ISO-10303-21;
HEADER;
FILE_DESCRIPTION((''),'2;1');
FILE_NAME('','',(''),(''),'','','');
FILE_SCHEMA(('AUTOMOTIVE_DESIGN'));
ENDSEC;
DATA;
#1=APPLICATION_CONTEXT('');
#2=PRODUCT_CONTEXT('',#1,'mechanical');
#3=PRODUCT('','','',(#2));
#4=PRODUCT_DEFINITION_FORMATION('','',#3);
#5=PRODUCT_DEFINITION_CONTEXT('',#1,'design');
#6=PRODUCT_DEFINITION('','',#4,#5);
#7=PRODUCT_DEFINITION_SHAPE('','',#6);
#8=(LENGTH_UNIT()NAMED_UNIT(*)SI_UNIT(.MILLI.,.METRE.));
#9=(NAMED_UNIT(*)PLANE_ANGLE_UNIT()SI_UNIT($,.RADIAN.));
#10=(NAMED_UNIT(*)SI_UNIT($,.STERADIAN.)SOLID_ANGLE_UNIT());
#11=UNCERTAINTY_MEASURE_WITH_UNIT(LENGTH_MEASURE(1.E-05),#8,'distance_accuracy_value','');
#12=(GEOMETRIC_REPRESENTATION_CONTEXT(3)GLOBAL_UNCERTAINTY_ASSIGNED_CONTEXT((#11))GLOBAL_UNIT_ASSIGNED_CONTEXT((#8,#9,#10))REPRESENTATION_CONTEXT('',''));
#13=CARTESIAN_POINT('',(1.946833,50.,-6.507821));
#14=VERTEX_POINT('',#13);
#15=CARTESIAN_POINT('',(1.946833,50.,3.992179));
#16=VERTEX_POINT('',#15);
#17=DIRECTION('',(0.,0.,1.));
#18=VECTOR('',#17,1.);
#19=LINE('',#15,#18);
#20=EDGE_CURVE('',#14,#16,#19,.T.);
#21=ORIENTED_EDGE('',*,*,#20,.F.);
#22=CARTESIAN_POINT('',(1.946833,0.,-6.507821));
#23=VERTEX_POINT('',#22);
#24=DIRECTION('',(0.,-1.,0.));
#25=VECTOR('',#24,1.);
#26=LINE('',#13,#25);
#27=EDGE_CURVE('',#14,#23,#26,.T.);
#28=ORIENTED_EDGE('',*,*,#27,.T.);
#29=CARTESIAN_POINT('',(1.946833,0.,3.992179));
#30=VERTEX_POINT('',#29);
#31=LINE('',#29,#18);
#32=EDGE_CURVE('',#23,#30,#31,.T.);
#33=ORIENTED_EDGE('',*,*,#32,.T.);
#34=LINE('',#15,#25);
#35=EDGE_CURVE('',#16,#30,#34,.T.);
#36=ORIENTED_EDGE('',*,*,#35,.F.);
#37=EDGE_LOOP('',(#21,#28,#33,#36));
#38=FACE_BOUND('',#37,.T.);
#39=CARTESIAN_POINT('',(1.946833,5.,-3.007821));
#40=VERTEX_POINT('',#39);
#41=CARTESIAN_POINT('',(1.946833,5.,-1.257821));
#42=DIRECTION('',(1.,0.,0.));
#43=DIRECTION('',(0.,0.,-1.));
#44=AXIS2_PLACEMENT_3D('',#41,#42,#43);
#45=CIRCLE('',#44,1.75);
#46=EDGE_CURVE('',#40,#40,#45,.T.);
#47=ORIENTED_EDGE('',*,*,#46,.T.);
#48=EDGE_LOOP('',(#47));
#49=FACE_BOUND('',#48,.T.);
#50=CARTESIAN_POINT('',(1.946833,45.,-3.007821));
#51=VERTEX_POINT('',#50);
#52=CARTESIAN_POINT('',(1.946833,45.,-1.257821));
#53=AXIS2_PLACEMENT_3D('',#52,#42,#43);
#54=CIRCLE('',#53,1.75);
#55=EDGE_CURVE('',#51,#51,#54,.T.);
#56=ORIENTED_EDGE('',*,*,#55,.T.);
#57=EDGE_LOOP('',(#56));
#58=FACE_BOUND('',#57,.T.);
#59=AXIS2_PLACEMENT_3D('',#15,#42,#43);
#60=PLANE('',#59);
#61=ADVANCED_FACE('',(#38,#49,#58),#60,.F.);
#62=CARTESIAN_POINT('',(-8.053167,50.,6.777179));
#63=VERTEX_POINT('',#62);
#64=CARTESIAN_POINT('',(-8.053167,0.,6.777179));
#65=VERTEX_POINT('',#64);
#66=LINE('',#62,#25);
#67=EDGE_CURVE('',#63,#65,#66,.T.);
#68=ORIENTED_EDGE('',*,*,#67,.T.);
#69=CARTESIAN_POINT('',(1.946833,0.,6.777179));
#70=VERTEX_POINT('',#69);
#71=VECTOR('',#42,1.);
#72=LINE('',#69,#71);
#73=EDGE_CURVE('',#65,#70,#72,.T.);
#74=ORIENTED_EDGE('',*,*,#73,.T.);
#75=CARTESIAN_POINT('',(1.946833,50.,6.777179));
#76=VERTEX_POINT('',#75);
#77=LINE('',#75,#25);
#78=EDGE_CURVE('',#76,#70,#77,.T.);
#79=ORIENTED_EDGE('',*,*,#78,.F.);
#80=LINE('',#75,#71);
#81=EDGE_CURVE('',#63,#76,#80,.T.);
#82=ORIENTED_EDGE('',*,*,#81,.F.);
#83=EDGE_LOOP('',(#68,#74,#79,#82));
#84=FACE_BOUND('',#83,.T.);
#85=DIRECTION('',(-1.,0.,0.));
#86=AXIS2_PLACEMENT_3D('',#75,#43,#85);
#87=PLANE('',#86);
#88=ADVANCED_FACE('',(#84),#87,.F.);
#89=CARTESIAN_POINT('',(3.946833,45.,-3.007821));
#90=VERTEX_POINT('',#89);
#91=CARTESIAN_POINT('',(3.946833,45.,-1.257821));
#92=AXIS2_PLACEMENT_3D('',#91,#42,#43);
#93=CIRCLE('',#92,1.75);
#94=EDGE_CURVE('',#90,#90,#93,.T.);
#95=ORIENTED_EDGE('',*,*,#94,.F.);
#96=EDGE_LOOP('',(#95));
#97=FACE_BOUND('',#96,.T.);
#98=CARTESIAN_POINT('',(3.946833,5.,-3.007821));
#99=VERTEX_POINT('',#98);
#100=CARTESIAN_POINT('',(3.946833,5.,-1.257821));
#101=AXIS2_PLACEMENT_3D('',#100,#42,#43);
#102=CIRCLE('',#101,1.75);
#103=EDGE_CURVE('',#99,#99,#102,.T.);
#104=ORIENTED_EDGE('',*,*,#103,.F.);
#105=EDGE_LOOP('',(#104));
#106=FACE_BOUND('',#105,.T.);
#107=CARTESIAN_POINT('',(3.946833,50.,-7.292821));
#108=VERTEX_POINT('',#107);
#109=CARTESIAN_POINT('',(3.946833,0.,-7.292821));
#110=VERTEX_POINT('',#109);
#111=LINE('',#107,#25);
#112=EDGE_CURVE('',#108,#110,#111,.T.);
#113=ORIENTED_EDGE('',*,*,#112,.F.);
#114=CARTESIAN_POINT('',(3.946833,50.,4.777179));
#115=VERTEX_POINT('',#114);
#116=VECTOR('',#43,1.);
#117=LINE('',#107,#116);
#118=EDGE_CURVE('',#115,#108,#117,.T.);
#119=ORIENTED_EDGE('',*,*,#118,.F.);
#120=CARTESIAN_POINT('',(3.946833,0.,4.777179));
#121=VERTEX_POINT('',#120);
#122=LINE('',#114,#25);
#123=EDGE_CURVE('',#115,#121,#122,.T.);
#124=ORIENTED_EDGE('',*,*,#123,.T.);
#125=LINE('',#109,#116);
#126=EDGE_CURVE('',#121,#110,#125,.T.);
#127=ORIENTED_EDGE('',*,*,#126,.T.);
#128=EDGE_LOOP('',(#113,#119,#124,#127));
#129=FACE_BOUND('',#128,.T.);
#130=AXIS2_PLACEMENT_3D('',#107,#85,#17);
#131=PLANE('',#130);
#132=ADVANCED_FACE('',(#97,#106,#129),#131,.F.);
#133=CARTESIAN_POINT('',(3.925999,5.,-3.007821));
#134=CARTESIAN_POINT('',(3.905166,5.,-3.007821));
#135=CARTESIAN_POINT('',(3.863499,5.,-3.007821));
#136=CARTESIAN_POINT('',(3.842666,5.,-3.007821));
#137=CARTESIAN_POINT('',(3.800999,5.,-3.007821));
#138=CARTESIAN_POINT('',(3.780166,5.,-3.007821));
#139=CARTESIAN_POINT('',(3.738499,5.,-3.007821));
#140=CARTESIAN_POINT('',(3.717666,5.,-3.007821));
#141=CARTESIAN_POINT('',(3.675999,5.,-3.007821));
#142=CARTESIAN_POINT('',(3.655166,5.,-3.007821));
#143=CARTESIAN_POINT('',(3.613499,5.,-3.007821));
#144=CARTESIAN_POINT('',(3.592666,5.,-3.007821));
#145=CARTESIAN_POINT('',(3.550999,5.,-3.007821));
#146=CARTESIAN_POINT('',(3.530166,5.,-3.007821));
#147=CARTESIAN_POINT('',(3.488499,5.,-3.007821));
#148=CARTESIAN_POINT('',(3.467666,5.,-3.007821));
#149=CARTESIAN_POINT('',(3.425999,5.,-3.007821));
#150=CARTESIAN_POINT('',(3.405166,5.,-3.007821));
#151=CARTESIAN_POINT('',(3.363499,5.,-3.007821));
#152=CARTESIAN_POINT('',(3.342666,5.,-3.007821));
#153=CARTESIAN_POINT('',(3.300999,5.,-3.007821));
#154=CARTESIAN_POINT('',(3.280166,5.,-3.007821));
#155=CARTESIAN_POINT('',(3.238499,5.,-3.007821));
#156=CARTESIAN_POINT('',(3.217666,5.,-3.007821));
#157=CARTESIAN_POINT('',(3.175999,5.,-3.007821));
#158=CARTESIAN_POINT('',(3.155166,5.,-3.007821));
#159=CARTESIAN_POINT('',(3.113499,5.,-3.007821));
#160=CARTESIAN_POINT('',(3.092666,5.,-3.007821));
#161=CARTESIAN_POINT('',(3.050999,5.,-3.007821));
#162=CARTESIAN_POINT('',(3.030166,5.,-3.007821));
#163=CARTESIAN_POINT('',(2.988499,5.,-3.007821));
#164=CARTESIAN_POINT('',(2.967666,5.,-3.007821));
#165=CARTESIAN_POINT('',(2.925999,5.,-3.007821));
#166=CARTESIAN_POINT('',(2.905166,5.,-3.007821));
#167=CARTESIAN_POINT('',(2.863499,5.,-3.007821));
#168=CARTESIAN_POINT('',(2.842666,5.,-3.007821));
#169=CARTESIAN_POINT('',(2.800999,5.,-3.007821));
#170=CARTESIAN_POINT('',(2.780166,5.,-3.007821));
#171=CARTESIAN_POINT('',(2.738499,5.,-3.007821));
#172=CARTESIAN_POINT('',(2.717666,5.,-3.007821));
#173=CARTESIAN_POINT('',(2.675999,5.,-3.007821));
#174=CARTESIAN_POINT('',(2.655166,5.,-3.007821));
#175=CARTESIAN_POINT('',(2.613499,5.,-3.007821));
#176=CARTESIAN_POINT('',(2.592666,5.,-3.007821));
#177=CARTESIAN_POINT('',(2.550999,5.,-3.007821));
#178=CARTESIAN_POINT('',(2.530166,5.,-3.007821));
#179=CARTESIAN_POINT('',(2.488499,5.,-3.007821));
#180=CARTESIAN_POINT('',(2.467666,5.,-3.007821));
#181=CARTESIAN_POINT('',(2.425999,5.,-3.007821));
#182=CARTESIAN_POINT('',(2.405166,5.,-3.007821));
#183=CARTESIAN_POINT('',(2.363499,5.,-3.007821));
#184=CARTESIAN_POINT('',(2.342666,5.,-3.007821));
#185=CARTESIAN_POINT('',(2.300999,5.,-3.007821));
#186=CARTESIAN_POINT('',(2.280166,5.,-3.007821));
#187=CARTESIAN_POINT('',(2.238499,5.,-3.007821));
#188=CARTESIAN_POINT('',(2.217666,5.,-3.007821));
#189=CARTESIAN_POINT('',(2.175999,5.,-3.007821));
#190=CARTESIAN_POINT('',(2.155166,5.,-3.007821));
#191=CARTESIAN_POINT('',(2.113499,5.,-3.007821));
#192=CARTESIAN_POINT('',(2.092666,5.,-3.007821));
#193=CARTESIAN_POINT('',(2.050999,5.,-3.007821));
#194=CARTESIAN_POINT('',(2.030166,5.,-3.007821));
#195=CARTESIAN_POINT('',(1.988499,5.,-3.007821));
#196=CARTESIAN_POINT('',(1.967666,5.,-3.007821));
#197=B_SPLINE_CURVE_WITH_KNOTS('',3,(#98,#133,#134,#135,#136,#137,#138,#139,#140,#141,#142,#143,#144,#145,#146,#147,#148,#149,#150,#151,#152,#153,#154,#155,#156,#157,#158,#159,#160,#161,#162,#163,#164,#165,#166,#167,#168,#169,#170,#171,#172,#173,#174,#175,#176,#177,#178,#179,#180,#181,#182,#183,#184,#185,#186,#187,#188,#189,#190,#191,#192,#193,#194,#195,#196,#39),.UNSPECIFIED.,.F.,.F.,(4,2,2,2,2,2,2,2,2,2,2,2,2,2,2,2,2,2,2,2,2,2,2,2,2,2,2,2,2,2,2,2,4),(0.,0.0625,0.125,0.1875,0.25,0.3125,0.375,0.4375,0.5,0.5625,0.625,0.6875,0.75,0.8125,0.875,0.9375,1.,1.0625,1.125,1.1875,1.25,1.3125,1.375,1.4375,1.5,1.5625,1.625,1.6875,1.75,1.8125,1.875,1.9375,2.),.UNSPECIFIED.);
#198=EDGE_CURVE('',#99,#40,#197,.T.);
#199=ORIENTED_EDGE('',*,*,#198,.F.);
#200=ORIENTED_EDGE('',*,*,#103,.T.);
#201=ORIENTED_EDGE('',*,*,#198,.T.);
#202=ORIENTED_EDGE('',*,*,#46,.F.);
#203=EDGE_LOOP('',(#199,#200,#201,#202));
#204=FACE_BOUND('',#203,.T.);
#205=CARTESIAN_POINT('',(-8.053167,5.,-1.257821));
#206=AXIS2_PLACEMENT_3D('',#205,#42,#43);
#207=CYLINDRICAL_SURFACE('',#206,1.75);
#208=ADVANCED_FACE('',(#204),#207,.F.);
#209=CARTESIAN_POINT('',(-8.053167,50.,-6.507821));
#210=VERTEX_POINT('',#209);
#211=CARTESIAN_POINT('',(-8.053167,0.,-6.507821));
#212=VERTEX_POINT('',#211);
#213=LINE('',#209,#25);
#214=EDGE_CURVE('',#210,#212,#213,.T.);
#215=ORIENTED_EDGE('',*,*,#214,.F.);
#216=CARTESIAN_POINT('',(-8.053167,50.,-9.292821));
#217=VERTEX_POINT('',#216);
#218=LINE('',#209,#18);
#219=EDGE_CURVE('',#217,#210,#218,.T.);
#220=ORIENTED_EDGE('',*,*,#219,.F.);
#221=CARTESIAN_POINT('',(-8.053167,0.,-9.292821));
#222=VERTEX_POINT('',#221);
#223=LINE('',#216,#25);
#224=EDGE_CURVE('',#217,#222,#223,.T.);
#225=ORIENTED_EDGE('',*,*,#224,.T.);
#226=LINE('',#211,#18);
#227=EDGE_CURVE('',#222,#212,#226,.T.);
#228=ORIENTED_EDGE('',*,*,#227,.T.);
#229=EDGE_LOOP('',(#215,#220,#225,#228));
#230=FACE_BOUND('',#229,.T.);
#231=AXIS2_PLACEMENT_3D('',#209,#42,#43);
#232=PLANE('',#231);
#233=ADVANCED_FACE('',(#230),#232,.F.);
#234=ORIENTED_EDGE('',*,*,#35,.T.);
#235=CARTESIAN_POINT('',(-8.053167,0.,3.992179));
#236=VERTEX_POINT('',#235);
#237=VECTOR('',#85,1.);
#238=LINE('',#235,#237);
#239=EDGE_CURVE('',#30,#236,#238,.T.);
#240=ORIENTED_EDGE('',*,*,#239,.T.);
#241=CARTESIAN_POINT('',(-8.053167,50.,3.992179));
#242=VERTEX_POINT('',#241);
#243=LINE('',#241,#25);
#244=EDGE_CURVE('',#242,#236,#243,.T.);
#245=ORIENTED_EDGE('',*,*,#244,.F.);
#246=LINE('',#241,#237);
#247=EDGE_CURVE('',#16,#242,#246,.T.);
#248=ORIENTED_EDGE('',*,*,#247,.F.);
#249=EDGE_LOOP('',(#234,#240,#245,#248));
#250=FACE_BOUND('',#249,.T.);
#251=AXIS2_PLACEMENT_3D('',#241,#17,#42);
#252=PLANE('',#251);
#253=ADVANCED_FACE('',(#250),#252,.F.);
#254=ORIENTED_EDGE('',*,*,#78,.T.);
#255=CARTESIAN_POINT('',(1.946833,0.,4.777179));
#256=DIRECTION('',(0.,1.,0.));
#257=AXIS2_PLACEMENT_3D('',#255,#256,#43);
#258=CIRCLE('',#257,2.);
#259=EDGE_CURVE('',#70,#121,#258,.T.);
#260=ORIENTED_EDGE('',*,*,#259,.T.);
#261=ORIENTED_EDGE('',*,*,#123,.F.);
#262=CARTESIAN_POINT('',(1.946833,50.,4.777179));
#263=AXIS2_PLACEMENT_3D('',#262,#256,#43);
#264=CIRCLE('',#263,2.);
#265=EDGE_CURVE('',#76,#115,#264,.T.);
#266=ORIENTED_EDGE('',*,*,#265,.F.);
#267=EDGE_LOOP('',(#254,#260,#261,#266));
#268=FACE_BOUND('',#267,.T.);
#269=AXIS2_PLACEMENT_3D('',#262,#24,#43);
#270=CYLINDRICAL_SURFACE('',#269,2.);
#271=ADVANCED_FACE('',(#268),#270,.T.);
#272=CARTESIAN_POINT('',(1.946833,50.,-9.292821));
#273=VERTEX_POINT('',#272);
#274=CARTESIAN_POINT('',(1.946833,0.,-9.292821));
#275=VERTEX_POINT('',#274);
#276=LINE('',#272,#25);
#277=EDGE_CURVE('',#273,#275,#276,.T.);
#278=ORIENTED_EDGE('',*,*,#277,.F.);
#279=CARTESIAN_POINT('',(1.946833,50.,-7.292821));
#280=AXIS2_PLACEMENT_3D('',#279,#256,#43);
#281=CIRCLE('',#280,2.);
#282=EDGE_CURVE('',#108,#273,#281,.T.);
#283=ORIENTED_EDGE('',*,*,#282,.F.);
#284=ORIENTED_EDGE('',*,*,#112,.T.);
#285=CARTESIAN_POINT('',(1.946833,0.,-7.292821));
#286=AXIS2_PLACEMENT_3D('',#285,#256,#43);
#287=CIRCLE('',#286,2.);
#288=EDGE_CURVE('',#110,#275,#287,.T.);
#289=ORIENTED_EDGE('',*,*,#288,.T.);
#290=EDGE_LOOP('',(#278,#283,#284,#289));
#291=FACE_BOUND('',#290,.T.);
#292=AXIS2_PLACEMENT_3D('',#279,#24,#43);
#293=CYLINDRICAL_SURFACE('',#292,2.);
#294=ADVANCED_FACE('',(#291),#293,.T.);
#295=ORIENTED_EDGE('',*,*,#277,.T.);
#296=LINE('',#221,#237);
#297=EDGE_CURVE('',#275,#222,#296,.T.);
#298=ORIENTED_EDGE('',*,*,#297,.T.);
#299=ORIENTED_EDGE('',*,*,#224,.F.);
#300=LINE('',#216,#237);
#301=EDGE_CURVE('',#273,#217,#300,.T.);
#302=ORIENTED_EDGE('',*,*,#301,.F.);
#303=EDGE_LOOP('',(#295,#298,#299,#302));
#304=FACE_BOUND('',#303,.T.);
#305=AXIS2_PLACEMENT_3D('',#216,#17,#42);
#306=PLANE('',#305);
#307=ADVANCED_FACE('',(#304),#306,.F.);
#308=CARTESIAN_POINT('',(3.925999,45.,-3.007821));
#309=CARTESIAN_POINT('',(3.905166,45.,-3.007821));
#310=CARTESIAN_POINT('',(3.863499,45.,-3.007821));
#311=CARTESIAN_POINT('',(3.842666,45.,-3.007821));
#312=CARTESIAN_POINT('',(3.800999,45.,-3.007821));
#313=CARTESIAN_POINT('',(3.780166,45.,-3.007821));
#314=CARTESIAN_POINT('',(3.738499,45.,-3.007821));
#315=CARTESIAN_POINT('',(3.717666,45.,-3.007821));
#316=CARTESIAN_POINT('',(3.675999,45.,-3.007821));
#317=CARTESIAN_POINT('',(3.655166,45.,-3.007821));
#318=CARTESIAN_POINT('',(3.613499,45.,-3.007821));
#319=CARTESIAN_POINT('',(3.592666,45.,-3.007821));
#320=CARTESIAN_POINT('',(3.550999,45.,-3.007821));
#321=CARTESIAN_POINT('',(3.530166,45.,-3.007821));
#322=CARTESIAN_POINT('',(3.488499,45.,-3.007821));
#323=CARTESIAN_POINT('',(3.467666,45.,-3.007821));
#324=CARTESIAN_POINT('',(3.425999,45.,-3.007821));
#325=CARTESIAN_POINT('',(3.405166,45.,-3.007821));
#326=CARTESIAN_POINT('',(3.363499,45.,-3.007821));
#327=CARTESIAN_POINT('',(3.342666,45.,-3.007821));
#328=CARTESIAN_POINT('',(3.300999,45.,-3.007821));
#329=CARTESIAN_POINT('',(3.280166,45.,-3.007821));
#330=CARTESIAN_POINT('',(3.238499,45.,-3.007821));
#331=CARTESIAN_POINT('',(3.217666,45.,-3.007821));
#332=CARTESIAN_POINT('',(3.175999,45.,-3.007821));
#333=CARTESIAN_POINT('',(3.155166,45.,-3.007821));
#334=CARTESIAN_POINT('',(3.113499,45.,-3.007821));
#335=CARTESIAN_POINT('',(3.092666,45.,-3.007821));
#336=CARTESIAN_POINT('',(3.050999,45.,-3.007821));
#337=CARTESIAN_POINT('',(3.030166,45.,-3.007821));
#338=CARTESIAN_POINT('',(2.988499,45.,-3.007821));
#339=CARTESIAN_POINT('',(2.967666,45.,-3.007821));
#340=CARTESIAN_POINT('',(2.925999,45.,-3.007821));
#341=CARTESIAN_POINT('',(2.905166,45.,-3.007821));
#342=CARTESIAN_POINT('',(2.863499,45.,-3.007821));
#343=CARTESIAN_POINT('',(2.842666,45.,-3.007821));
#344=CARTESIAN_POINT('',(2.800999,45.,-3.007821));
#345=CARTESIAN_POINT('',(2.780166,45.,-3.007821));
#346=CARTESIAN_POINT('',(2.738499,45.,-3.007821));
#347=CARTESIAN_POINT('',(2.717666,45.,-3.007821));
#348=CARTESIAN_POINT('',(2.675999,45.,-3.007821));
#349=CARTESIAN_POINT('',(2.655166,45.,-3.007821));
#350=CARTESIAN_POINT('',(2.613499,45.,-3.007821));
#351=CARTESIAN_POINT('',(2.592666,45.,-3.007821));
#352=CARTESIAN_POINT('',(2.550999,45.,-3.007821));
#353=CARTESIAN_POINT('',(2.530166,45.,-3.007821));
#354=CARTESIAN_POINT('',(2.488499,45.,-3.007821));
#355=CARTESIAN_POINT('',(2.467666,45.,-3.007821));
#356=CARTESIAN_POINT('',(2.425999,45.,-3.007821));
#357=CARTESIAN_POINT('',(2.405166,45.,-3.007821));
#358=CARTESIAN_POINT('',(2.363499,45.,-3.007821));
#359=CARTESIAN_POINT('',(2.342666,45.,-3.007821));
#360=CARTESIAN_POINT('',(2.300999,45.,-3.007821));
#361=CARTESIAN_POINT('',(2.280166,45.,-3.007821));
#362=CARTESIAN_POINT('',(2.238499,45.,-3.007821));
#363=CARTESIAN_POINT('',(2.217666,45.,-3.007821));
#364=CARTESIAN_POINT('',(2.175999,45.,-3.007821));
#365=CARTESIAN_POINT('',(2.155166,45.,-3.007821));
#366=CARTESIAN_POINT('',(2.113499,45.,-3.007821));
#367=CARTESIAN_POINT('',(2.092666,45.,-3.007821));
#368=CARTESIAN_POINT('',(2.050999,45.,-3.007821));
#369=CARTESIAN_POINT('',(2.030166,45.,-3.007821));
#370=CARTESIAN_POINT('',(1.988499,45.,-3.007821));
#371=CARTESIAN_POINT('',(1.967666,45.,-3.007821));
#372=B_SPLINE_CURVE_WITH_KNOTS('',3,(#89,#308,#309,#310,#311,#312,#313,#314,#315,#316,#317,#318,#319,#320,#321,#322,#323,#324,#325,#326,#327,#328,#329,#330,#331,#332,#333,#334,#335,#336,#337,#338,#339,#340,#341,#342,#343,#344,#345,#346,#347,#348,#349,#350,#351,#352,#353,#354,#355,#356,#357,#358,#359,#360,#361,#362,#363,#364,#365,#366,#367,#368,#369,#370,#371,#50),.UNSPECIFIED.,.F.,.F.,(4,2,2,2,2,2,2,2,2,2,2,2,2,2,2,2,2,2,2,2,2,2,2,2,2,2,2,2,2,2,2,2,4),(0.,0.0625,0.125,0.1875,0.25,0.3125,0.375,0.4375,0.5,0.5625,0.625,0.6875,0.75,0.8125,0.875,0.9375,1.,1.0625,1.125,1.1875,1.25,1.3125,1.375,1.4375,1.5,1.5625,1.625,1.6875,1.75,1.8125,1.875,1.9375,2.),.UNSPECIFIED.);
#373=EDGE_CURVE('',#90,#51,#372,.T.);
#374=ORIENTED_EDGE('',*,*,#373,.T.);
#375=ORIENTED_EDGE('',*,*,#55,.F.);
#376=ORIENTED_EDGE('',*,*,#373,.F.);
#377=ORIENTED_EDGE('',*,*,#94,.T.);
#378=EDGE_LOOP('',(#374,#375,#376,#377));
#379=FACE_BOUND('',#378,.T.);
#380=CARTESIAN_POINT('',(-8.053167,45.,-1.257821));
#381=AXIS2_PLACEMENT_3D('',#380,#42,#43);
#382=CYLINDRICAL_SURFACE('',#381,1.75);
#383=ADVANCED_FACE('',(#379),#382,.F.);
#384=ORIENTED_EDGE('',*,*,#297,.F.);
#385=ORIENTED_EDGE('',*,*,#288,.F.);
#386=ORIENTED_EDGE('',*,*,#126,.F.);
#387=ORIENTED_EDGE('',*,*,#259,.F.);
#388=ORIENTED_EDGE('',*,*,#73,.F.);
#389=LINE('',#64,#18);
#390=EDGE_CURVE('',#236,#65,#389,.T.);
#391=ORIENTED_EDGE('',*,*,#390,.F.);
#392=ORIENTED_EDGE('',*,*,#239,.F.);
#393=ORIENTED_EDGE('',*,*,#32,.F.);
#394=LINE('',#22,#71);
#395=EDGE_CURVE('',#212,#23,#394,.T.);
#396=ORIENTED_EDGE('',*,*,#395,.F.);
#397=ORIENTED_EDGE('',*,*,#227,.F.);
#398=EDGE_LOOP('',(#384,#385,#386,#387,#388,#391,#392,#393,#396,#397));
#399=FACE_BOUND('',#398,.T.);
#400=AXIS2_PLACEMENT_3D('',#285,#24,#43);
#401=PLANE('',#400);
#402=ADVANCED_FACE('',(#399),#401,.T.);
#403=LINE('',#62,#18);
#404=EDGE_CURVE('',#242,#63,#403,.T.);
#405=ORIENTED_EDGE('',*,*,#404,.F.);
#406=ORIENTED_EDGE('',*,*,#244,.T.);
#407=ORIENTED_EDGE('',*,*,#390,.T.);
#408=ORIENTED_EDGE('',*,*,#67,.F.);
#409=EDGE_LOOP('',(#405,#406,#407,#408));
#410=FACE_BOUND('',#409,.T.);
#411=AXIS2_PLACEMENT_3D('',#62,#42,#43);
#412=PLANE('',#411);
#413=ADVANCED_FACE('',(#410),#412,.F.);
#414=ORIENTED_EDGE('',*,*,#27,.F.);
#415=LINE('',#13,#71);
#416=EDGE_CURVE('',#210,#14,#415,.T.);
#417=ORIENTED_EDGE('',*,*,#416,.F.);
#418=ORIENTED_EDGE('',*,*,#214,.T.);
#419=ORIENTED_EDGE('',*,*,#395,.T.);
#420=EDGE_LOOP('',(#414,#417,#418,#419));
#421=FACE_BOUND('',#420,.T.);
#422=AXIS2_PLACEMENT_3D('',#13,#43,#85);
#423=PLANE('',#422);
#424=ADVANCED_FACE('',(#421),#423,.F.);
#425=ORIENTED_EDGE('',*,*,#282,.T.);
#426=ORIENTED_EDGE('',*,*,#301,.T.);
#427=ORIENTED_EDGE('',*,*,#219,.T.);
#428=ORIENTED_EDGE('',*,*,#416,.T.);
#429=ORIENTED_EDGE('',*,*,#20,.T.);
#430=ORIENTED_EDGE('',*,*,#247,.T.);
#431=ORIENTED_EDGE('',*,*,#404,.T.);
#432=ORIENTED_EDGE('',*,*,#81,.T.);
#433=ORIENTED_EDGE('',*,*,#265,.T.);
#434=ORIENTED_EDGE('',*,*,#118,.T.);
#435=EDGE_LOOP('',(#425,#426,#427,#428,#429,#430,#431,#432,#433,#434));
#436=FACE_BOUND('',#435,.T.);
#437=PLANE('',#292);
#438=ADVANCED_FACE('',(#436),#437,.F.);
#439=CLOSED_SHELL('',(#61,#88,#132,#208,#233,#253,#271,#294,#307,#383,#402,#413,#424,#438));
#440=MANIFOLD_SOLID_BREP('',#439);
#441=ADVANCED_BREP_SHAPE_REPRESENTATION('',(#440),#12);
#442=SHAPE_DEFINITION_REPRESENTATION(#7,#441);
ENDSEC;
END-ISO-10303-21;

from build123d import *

# Parameters (mm, degrees)
EXTRUDE_1_DEPTH     = 50
SKETCH_2_R          = 1.75
CUT_EXTRUDE_1_DEPTH = 53.252813616


with BuildPart() as part:
    # 草图1 → 凸台-拉伸1 (new body)
    with BuildSketch(Plane(origin=(0, 0, 0), x_dir=(1, 0, 0), z_dir=(0, 1, 0))):
        with BuildLine():
            Line((-8.053167235, 9.292821463), (1.946832765, 9.292821463))
            ThreePointArc((1.946832765, 9.292821463), (3.361046328, 8.707035025), (3.946832765, 7.292821463))
            Line((3.946832765, 7.292821463), (3.946832765, -4.777178537))
            ThreePointArc((3.946832765, -4.777178537), (3.361046328, -6.191392099), (1.946832765, -6.777178537))
            Line((1.946832765, -6.777178537), (-8.053167235, -6.777178537))
            Line((-8.053167235, -6.777178537), (-8.053167235, -3.992178537))
            Line((-8.053167235, -3.992178537), (1.946832765, -3.992178537))
            Line((1.946832765, -3.992178537), (1.946832765, 6.507821463))
            Line((1.946832765, 6.507821463), (-8.053167235, 6.507821463))
            Line((-8.053167235, 6.507821463), (-8.053167235, 9.292821463))
        make_face()
    extrude(amount=EXTRUDE_1_DEPTH)

    # 草图2 → 切除-拉伸1 (cut, through all)
    with BuildSketch(Plane(origin=(3.946832765, 0, 0), x_dir=(0, 0, -1), z_dir=(1, 0, 0))):
        with Locations((1.257821463, 45)):
            Circle(SKETCH_2_R)
        with Locations((1.257821463, 5)):
            Circle(SKETCH_2_R)
    extrude(amount=-CUT_EXTRUDE_1_DEPTH, mode=Mode.SUBTRACT)


solid = part.part
